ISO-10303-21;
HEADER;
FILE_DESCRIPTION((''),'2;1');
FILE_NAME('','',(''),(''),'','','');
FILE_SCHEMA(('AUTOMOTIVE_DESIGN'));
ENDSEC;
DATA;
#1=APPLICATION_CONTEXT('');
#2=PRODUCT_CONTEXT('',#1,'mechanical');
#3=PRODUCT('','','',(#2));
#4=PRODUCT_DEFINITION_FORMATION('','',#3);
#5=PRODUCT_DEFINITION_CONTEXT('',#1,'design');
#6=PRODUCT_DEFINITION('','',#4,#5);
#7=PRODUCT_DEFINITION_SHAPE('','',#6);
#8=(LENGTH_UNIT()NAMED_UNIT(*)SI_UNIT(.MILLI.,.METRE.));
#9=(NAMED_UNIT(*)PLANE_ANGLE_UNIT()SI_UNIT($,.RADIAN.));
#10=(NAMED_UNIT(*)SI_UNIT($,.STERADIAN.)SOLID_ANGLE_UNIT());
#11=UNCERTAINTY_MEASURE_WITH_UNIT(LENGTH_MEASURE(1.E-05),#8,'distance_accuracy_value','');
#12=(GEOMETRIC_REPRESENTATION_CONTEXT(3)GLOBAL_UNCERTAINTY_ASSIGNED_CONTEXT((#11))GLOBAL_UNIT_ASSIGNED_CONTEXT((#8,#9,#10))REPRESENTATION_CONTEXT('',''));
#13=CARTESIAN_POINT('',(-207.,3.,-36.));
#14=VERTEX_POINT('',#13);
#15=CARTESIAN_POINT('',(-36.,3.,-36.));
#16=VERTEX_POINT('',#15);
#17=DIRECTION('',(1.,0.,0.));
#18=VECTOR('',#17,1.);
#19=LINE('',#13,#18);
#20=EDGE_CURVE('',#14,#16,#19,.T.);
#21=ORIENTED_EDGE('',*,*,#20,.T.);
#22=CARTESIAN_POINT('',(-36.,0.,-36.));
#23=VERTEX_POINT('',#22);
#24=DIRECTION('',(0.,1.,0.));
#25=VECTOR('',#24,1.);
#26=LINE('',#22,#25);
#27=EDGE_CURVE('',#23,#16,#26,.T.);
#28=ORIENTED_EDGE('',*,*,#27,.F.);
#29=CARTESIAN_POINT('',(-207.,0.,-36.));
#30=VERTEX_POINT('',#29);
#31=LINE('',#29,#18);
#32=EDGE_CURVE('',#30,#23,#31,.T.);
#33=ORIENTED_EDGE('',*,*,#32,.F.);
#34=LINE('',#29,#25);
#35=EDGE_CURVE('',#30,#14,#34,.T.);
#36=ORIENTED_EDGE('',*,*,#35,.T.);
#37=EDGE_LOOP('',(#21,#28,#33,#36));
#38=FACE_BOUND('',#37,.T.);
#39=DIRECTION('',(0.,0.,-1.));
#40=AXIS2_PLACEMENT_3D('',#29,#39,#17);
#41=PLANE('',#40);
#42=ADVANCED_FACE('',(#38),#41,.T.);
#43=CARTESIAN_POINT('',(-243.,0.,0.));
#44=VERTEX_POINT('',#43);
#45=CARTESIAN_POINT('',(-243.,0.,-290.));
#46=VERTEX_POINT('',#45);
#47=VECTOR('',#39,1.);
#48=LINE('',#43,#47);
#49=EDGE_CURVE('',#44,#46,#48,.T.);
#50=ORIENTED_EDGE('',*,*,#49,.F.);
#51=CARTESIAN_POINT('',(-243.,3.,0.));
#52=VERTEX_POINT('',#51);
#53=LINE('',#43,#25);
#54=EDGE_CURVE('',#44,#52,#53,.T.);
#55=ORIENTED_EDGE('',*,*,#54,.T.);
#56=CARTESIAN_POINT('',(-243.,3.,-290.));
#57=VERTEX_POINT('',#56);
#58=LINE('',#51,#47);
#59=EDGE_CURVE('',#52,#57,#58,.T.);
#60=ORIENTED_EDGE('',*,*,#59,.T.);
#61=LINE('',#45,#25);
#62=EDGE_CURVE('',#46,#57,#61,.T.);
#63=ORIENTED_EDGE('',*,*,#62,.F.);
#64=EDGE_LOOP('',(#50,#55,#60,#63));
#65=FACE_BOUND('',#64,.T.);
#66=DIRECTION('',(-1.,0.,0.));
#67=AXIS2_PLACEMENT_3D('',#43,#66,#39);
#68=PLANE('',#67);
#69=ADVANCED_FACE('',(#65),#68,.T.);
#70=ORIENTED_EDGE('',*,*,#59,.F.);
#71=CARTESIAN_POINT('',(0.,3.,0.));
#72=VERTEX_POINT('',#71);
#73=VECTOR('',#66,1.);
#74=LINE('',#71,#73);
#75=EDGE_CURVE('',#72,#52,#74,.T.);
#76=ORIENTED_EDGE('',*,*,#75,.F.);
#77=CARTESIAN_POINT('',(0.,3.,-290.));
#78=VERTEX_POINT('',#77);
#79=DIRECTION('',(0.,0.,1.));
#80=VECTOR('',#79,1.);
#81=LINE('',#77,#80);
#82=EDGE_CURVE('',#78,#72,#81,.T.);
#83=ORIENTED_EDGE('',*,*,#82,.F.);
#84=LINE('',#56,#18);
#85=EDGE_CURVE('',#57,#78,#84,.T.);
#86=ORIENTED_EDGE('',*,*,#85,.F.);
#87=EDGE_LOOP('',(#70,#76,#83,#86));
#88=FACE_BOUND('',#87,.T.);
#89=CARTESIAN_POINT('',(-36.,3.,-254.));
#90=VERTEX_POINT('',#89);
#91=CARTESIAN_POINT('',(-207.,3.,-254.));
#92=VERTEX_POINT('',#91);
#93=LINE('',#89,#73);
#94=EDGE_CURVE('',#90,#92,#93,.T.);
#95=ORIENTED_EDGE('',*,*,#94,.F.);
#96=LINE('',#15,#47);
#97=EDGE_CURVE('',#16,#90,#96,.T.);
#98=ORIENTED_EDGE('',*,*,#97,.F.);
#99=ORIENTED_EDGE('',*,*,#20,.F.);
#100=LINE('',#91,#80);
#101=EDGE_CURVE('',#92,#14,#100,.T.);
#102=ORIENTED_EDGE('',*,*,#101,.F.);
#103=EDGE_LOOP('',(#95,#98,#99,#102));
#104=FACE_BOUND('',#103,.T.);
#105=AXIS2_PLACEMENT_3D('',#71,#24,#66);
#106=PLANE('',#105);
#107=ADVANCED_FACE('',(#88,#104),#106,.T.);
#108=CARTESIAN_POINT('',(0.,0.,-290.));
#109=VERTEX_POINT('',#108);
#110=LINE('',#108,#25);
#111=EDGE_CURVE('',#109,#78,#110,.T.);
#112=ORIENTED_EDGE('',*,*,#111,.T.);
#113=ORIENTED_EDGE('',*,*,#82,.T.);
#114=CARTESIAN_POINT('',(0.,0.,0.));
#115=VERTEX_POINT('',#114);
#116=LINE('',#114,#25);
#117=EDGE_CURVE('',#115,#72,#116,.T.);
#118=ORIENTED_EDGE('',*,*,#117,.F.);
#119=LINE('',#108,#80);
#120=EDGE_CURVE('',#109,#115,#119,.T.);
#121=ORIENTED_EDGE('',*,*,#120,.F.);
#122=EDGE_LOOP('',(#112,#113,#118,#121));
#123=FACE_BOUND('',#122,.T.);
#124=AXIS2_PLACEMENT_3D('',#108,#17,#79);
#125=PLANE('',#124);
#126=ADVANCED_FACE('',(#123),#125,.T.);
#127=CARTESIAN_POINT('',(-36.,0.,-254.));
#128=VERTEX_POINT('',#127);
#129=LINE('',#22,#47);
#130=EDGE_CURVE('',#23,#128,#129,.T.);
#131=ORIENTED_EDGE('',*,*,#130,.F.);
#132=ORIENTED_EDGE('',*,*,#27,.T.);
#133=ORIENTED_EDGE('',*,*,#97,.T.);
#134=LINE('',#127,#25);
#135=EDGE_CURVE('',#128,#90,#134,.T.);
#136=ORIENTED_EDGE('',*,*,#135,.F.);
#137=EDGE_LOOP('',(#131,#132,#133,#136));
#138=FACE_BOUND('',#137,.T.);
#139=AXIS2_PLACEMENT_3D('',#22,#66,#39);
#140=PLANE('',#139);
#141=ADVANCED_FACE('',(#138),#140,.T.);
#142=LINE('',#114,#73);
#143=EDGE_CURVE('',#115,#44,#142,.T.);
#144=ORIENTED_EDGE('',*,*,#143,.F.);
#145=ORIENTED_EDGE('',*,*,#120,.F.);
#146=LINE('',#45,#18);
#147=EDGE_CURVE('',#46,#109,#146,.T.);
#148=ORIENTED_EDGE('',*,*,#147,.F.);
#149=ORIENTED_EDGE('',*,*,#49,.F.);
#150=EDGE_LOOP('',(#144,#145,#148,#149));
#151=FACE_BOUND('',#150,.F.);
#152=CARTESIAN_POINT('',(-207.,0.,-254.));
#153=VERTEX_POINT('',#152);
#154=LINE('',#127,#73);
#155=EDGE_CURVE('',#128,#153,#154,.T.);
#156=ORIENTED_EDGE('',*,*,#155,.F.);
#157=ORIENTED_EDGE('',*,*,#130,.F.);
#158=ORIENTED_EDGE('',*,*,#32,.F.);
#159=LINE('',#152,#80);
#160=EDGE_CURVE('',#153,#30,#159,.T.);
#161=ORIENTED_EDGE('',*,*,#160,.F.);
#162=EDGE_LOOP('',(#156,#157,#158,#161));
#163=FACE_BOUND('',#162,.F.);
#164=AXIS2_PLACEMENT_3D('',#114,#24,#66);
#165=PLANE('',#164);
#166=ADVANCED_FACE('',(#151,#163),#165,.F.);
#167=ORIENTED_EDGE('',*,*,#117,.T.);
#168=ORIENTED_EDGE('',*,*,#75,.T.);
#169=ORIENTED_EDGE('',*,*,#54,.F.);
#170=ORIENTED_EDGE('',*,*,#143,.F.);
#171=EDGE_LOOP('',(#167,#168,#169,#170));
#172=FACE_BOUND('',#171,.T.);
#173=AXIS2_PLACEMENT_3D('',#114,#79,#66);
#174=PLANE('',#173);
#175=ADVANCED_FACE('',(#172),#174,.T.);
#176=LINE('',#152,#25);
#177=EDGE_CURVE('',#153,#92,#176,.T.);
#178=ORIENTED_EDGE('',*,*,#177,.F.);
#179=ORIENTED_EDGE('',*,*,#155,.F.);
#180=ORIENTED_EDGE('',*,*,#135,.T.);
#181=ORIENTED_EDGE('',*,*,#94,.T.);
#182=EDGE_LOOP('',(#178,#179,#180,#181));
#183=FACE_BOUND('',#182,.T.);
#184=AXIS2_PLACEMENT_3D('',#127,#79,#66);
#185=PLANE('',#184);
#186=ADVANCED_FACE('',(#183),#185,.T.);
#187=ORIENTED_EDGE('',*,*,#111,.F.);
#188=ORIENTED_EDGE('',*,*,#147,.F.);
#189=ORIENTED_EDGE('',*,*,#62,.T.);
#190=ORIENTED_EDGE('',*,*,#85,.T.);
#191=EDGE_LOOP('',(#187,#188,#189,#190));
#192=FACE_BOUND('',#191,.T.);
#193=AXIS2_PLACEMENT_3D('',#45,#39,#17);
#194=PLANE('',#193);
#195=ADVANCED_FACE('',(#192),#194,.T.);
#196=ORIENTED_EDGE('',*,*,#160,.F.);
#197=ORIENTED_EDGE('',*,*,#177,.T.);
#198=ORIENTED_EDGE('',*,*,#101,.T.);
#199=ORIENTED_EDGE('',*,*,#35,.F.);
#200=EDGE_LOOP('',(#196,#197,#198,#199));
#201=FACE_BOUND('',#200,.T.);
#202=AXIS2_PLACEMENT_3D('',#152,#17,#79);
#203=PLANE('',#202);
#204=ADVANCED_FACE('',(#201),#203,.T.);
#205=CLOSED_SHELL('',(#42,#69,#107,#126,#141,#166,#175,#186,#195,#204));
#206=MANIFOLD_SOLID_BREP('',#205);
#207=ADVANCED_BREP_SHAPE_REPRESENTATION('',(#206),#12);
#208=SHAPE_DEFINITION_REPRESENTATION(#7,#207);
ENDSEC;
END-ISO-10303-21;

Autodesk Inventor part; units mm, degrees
ref_plane "YZ Plane" through (0, 0, 0) normal (1, 0, 0) x (0, 1, 0)
ref_plane "XZ Plane" through (0, 0, 0) normal (0, 1, 0) x (-1, 0, 0)
ref_plane "XY Plane" through (0, 0, 0) normal (0, 0, 1) x (1, 0, 0)
sketch "Boceto1" plane through (0, 0, 0) normal (0, 1, 0) x (-1, 0, 0)
  line L0 (0, 0) -> (243, 0)
  line L1 (243, 0) -> (243, -290)
  line L2 (243, -290) -> (0, -290)
  line L3 (0, -290) -> (0, 0)
  line L4 (207, -254) -> (207, -36)
  line L5 (207, -36) -> (36, -36)
  line L6 (36, -36) -> (36, -254)
  line L7 (36, -254) -> (207, -254)
  dimension "d0" = 243
  dimension "d1" = 290
  dimension "d2" = 36
extrude "Extrusión1" add sketch "Boceto1" along normal blind 3
properties part number "Fomi"
